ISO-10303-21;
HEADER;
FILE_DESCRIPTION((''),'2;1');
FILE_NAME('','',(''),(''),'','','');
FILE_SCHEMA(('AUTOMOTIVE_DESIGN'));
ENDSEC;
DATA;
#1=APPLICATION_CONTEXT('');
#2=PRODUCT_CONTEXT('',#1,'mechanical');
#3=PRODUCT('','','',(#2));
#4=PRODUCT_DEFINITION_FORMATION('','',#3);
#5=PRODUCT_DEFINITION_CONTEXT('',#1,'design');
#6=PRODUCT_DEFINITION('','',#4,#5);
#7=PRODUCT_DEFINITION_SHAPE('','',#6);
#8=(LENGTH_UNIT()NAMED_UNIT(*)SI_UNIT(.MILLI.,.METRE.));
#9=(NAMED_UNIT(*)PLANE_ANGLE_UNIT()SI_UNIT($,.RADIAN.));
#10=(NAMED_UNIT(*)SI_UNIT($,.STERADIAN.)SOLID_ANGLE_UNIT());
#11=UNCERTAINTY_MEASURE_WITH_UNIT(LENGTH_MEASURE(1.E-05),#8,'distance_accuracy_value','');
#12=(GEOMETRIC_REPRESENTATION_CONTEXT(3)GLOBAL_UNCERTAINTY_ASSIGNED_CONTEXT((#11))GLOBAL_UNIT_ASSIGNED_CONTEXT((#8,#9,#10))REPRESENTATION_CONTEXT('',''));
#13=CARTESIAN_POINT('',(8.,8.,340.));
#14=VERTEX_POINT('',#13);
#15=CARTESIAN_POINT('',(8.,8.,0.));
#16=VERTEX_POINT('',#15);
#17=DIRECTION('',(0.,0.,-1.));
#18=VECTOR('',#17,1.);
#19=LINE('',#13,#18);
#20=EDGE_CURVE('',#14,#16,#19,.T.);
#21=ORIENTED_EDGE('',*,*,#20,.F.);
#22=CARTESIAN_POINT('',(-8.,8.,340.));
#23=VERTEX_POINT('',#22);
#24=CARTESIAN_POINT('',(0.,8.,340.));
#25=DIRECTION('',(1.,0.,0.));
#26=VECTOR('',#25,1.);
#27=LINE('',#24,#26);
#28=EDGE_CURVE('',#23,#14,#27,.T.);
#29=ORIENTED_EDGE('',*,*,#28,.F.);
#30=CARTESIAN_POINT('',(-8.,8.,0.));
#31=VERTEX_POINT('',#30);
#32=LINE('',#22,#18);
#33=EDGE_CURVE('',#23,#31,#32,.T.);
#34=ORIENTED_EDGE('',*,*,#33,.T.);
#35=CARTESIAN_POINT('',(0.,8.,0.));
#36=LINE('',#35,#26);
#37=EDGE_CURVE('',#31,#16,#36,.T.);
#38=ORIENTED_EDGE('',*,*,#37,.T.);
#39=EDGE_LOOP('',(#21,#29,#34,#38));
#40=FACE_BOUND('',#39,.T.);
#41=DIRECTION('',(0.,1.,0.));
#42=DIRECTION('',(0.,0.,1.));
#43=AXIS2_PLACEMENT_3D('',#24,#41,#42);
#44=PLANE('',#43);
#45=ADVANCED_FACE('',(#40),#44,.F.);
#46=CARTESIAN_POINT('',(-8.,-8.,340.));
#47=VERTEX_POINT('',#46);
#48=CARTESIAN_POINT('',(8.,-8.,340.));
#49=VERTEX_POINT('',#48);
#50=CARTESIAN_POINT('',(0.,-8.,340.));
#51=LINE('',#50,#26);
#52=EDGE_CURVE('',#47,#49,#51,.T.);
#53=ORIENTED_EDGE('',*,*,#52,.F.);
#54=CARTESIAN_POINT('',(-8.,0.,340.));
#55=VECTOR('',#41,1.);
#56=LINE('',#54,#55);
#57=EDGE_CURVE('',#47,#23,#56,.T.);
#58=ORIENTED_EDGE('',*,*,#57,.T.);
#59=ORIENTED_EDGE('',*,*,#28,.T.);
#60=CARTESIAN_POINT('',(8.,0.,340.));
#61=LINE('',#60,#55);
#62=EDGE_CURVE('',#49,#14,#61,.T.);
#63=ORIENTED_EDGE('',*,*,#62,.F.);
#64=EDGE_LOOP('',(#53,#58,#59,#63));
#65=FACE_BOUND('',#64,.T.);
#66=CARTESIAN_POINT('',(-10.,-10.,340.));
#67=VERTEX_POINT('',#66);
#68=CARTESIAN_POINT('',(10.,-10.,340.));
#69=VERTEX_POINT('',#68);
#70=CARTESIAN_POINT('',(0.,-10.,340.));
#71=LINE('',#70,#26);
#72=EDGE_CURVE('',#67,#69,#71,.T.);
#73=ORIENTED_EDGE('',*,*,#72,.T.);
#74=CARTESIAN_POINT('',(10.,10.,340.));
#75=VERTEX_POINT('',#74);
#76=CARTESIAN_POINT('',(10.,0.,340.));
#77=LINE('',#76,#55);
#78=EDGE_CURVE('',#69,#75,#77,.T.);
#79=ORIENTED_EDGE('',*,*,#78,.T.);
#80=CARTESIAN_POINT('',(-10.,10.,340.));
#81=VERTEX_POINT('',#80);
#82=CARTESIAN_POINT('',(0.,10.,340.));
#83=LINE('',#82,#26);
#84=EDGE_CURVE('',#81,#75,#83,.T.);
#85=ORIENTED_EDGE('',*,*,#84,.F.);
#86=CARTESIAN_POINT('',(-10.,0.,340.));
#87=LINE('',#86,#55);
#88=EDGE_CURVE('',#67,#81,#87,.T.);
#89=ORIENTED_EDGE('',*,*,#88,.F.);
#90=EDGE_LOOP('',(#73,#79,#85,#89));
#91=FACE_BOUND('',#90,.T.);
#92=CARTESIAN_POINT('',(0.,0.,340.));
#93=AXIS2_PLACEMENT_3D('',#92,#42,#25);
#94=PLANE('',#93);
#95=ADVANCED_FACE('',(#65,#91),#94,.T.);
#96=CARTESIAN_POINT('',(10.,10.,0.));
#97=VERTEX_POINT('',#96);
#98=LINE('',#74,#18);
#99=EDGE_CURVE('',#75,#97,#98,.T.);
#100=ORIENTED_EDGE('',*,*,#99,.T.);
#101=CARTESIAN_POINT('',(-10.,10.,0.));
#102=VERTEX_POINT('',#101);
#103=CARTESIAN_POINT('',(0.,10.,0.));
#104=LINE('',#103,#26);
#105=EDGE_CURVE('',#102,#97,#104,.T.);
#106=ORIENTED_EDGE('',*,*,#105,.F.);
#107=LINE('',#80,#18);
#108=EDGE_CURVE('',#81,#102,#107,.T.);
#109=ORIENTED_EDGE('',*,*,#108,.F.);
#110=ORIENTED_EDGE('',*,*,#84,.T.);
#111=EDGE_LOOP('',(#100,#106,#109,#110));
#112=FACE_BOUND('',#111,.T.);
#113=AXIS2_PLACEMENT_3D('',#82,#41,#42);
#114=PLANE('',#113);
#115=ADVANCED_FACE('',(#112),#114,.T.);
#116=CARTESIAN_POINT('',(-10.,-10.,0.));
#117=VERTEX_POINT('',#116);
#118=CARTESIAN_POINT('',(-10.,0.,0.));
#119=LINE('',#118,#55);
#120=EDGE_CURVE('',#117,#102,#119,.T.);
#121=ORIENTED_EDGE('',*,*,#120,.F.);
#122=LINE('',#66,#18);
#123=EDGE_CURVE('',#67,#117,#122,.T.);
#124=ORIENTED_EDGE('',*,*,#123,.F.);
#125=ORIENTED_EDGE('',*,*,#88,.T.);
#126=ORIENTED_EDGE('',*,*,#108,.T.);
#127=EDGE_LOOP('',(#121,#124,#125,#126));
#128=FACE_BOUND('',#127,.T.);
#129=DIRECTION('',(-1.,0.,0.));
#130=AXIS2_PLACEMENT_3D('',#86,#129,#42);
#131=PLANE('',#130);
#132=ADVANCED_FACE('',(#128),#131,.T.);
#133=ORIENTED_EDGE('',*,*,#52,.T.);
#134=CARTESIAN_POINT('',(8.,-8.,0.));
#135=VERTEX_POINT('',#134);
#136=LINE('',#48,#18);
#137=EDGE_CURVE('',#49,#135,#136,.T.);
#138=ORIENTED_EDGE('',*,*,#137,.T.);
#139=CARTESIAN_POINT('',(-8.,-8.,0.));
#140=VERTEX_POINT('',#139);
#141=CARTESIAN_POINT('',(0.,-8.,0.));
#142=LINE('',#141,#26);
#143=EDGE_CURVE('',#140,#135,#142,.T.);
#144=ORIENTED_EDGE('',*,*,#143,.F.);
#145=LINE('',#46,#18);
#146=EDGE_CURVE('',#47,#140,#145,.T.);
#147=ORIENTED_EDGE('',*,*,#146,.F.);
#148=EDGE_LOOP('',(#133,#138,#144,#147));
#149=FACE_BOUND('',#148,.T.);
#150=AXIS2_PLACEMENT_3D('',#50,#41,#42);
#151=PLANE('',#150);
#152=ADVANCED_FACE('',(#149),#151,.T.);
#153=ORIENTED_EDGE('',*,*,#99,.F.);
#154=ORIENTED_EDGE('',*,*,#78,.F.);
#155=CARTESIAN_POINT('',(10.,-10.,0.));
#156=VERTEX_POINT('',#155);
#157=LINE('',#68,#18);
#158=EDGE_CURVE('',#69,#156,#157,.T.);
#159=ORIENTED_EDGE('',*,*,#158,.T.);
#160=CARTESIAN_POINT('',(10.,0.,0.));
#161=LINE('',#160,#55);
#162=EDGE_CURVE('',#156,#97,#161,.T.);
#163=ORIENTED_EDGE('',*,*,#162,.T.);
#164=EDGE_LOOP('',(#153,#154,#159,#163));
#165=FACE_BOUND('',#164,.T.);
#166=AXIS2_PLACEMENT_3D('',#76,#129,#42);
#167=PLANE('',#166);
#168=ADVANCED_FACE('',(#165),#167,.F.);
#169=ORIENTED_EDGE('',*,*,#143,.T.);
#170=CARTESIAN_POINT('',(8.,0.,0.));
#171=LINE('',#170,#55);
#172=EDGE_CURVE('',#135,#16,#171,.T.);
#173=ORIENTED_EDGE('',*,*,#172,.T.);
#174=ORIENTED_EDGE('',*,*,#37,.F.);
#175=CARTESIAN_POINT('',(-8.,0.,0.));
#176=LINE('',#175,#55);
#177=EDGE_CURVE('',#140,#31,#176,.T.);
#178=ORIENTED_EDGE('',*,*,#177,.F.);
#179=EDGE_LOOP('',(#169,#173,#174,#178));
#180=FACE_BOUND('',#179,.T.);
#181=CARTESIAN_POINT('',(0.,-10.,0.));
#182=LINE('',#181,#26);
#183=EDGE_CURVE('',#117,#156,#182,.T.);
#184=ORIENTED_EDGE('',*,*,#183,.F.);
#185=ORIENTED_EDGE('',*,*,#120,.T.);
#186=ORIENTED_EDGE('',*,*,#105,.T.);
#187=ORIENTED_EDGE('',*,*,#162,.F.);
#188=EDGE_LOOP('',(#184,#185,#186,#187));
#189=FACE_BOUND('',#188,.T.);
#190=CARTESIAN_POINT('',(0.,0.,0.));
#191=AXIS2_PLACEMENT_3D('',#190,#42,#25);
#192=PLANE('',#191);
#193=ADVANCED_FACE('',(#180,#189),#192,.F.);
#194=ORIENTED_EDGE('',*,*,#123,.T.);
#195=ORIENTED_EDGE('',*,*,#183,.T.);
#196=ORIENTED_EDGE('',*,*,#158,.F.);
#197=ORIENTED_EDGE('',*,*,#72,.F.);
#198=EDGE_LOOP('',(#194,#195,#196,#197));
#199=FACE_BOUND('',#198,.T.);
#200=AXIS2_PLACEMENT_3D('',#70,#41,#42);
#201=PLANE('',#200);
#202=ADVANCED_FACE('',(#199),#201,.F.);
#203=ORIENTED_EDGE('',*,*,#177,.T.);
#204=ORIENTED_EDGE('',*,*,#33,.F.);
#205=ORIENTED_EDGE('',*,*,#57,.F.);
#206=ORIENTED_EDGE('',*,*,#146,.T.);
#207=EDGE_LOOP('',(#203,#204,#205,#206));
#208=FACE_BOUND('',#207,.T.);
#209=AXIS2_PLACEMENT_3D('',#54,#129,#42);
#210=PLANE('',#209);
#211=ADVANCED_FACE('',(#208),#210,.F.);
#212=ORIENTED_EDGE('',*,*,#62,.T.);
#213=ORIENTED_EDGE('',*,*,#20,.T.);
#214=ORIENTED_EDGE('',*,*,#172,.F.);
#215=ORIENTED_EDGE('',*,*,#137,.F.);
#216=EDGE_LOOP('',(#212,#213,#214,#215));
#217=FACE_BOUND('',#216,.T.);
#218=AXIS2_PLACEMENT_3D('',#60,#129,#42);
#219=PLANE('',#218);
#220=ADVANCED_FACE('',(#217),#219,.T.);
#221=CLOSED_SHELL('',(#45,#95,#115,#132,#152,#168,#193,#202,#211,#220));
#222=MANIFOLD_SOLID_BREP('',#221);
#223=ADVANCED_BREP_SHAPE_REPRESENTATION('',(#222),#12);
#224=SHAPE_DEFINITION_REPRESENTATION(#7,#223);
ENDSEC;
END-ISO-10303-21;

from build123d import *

# Parameters (mm, degrees)
SKETCH_1_W      = 20
SKETCH_1_H      = 20
SKETCH_1_W_2    = 16
SKETCH_1_H_2    = 16
EXTRUDE_1_DEPTH = 340


with BuildPart() as part:
    # 草图1 → 凸台-拉伸1 (new body)
    with BuildSketch(Plane.XY):
        Rectangle(SKETCH_1_W, SKETCH_1_H)
        Rectangle(SKETCH_1_W_2, SKETCH_1_H_2, mode=Mode.SUBTRACT)
    extrude(amount=EXTRUDE_1_DEPTH)


solid = part.part
